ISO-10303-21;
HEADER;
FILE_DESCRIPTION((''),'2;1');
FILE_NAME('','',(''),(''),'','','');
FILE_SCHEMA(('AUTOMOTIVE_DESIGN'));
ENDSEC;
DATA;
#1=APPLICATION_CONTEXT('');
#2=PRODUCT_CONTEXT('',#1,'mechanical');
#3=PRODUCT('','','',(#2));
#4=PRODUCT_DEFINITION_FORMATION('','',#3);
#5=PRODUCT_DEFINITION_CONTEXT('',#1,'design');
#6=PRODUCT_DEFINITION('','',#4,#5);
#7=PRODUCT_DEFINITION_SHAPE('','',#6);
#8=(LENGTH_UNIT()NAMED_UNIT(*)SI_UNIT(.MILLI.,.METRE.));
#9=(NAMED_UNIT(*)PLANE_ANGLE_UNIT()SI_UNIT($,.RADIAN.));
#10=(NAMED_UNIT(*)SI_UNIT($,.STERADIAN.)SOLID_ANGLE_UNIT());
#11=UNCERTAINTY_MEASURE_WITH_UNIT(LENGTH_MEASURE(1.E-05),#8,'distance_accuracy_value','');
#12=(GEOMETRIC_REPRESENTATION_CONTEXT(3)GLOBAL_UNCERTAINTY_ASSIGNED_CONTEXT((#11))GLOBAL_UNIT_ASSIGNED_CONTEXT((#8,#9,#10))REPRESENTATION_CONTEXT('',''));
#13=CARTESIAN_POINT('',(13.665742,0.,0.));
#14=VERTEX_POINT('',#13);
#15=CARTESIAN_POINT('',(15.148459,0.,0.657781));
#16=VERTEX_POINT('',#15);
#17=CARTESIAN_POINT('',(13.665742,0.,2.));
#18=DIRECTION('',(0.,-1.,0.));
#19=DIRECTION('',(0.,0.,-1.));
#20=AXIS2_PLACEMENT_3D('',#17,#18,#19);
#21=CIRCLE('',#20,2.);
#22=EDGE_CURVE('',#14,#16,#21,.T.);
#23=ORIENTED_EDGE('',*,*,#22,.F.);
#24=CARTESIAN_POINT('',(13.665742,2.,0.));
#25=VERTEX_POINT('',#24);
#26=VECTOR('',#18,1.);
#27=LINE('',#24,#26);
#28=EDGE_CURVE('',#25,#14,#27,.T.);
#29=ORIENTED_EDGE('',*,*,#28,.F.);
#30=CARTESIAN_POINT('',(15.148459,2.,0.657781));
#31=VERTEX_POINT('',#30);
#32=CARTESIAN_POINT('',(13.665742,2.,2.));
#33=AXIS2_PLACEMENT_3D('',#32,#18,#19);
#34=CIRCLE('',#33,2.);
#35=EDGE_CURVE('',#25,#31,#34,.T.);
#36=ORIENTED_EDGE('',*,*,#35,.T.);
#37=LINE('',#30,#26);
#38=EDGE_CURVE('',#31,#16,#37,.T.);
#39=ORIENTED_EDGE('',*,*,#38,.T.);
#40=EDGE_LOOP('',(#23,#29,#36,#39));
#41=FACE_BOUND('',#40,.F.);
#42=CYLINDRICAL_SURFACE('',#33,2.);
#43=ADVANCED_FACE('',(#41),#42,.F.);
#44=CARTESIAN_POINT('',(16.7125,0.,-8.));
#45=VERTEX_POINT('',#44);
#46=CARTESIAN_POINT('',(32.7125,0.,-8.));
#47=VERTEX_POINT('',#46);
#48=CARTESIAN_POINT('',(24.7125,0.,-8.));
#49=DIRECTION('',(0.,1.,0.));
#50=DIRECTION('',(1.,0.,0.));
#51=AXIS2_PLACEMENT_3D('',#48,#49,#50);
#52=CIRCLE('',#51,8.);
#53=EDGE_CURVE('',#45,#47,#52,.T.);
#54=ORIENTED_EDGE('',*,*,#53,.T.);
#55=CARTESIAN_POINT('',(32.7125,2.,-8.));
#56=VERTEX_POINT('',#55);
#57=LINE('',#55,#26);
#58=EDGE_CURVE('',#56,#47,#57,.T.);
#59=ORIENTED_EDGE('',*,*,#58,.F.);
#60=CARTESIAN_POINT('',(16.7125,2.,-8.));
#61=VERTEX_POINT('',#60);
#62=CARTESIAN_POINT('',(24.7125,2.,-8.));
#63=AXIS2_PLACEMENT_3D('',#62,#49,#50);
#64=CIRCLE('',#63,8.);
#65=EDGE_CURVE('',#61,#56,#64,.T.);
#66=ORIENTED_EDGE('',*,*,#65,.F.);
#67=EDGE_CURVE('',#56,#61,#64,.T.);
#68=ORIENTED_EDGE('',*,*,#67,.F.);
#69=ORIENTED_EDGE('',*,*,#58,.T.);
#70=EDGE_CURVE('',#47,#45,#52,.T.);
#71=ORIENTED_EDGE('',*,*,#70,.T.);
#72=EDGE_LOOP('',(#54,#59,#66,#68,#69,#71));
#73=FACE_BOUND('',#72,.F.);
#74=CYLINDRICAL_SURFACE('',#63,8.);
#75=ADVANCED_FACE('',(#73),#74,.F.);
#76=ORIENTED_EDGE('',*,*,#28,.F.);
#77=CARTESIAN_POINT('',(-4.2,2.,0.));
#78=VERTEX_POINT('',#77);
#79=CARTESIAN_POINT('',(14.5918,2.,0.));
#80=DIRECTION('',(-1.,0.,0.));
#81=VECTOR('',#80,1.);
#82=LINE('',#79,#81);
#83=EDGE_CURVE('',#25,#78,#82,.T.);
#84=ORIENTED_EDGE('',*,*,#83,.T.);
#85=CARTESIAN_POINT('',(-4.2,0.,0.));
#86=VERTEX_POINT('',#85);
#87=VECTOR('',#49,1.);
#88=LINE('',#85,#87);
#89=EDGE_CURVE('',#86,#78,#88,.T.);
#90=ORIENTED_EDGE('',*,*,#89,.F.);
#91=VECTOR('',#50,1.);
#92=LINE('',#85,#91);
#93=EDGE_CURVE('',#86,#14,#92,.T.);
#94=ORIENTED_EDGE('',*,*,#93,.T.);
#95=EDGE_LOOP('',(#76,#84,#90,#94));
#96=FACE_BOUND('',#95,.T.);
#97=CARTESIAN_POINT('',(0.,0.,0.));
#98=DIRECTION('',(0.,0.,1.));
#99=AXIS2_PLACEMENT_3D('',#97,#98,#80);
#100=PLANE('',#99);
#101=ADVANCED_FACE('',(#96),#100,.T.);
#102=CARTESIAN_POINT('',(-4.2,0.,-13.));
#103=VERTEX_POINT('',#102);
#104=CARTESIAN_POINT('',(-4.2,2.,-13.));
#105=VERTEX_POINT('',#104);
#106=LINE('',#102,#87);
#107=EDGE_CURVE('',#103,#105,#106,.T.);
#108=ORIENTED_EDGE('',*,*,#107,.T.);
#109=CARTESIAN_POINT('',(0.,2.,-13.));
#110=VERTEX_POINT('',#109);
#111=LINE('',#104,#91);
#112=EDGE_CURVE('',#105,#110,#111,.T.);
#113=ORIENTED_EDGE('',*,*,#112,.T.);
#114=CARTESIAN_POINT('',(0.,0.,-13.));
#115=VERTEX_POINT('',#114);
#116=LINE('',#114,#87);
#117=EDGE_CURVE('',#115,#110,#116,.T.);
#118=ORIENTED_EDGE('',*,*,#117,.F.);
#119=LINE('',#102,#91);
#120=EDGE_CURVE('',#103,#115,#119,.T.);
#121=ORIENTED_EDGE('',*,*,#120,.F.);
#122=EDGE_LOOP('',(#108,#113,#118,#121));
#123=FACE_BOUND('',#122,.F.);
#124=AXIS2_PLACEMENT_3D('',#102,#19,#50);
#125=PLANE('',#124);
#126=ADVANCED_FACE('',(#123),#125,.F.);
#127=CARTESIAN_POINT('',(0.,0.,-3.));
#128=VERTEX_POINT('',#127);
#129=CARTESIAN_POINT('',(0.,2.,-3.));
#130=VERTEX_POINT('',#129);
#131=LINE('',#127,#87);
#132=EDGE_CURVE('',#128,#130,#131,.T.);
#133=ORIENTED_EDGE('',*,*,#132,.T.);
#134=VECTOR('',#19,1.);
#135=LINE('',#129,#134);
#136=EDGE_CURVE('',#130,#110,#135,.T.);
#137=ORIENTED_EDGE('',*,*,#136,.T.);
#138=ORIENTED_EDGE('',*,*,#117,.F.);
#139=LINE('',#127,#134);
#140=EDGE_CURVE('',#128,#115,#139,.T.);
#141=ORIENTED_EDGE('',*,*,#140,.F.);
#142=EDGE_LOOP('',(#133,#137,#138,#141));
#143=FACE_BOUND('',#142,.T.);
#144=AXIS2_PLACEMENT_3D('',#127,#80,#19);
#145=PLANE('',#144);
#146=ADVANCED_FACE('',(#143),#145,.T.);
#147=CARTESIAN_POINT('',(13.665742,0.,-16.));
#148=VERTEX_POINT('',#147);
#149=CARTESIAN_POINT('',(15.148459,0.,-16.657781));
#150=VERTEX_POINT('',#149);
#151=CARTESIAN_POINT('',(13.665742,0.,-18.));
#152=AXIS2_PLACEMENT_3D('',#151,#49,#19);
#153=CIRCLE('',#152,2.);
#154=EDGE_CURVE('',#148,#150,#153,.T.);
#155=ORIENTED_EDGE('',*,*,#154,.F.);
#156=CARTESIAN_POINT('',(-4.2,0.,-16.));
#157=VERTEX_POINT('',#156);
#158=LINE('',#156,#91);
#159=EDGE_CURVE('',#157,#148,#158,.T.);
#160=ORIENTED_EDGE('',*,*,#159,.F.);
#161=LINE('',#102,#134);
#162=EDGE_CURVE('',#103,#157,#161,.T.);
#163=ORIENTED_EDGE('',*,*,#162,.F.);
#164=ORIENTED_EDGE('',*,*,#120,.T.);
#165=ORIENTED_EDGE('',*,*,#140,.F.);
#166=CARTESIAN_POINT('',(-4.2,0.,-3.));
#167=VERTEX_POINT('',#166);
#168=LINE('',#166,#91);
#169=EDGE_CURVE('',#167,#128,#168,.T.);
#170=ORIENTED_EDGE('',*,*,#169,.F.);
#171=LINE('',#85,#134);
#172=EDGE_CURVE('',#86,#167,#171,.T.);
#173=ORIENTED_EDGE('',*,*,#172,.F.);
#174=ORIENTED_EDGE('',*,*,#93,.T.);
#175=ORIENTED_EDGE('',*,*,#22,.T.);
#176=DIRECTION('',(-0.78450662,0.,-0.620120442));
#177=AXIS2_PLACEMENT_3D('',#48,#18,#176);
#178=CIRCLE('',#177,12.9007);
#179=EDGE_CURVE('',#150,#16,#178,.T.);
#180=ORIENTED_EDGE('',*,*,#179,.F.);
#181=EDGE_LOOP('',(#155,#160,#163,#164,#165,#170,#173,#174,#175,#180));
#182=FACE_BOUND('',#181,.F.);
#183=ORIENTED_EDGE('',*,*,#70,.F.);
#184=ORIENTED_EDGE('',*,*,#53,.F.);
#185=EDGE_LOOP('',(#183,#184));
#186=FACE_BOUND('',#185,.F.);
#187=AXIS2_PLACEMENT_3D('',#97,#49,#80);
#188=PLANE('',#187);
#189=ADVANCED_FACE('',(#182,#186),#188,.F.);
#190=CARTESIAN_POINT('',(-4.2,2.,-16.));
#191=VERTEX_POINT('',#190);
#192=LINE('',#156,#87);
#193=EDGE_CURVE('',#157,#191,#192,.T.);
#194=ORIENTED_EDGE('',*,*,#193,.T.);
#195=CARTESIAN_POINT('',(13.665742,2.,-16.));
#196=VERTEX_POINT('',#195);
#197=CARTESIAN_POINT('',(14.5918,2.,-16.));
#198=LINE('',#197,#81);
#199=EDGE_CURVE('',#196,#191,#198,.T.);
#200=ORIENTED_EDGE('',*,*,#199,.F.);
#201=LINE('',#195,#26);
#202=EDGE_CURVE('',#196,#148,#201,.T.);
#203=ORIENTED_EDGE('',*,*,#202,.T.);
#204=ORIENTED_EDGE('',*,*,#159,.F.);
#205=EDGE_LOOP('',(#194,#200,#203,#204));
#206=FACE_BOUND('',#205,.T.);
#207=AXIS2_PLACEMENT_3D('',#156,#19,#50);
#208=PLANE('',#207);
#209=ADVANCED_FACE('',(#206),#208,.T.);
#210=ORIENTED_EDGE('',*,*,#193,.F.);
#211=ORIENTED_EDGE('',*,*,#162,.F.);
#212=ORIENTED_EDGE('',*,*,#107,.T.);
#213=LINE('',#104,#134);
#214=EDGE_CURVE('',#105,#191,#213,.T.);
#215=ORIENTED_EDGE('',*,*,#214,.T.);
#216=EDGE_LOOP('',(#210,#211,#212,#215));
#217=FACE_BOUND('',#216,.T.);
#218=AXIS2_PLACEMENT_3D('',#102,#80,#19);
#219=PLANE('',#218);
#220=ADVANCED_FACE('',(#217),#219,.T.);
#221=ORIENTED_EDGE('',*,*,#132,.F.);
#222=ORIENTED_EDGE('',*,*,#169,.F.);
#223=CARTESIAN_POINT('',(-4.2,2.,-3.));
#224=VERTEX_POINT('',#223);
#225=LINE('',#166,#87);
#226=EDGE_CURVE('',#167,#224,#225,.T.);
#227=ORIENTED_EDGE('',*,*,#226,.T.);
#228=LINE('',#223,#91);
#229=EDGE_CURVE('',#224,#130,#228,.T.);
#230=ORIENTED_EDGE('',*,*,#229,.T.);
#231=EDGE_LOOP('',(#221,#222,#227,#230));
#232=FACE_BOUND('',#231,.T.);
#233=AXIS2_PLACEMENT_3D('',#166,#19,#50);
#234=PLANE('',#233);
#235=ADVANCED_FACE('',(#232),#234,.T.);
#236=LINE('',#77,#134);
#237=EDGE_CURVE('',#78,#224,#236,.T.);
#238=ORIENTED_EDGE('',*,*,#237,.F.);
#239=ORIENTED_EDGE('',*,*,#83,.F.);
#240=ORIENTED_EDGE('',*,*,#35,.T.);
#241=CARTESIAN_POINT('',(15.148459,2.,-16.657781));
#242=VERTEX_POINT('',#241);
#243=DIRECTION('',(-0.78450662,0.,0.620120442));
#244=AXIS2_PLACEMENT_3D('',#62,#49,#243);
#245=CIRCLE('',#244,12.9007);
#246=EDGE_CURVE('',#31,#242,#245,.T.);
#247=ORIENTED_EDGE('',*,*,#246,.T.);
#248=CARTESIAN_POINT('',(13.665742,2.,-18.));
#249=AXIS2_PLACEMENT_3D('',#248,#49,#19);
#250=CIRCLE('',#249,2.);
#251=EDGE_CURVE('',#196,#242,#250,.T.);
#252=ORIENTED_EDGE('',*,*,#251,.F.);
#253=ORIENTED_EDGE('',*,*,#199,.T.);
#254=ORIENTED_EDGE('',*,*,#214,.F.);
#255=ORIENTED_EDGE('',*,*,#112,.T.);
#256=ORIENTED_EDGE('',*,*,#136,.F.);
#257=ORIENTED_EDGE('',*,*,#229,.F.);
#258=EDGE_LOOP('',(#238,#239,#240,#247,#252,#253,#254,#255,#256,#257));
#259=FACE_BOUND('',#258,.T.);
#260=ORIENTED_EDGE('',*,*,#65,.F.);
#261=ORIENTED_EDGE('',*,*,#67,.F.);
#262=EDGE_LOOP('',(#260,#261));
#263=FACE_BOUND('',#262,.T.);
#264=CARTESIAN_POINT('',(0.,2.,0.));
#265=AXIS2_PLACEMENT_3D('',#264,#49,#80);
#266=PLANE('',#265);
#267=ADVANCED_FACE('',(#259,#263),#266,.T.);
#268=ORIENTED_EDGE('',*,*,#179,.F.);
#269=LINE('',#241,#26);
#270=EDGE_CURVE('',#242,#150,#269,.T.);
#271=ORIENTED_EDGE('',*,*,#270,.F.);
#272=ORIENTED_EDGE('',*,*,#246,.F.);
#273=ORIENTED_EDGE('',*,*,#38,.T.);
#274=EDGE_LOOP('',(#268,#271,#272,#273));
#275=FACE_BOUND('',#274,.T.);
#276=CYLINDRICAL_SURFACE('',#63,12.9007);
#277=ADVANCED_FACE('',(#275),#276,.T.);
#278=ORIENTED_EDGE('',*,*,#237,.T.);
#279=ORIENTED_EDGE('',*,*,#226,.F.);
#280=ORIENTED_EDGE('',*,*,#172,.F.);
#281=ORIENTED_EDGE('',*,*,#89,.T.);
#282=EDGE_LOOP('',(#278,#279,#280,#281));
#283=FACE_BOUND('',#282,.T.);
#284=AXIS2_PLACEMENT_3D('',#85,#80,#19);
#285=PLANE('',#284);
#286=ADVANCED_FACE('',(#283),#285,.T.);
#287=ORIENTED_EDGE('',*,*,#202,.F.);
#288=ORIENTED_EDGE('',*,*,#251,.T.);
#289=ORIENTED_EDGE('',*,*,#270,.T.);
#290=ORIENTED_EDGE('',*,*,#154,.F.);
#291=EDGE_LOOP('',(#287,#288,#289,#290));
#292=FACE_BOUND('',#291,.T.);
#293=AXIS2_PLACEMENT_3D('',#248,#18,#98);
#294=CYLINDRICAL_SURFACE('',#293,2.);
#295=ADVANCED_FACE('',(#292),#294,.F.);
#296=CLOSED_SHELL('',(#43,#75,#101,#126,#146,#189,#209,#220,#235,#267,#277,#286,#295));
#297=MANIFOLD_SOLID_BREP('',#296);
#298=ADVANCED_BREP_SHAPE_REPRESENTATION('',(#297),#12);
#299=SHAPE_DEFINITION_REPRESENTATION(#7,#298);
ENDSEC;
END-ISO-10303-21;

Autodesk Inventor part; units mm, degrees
ref_plane "YZ Plane" through (0, 0, 0) normal (1, 0, 0) x (0, 1, 0)
ref_plane "XZ Plane" through (0, 0, 0) normal (0, 1, 0) x (-1, 0, 0)
ref_plane "XY Plane" through (0, 0, 0) normal (0, 0, 1) x (1, 0, 0)
sketch "Эскиз1" plane through (0, 0, 0) normal (0, 1, 0) x (-1, 0, 0)
  line L0 (0, 0) -> (4.2, 0)
  line L1 (4.2, 0) -> (4.2, -3)
  line L2 (4.2, -3) -> (0, -3)
  line L3 (0, -3) -> (0, -13)
  line L4 (4.2, -13) -> (0, -13)
  line L5 (4.2, -13) -> (4.2, -16)
  line L6 (4.2, -16) -> (0, -16)
  line L7 (0, -16) -> (-9.7125, -16)
  line L8 (-9.7125, -16) -> (-9.7125, 0)
  line L9 (-9.7125, 0) -> (4.2, 0)
  dimension "d0" = 4.2
  dimension "d1" = 10
  dimension "d2" = 3
  dimension "d3" = 3
extrude "Выдавливание1" add sketch "Эскиз1" along normal blind 2
sketch "Эскиз2" plane through (0, 2, 0) normal (0, 1, 0) x (1, 0, 0)
  line L0 (9.7125, 0) -> (9.7125, 16) projected
  line L1 (9.7125, 8) -> (24.7125, 8)
  circle A0 centre (24.7125, 8) radius 12.9007
  circle A1 centre (24.7125, 8) radius 8
  line L2 (9.7125, 16) -> (-4.2, 16) projected
  line L3 (9.7125, 16) -> (14.5918, 16)
  line L4 (-4.2, 0) -> (9.7125, 0) projected
  line L5 (9.7125, 0) -> (14.5918, 0)
  point P0 (0, 0)
  dimension "d6" = 15
extrude "Выдавливание2" add sketch "Эскиз2" against normal blind 2
fillet "Сопряжение1" radius 2 2 edges at (14.5918, 1, -16) (14.5918, 1, 0)
properties part number "kkekey"
